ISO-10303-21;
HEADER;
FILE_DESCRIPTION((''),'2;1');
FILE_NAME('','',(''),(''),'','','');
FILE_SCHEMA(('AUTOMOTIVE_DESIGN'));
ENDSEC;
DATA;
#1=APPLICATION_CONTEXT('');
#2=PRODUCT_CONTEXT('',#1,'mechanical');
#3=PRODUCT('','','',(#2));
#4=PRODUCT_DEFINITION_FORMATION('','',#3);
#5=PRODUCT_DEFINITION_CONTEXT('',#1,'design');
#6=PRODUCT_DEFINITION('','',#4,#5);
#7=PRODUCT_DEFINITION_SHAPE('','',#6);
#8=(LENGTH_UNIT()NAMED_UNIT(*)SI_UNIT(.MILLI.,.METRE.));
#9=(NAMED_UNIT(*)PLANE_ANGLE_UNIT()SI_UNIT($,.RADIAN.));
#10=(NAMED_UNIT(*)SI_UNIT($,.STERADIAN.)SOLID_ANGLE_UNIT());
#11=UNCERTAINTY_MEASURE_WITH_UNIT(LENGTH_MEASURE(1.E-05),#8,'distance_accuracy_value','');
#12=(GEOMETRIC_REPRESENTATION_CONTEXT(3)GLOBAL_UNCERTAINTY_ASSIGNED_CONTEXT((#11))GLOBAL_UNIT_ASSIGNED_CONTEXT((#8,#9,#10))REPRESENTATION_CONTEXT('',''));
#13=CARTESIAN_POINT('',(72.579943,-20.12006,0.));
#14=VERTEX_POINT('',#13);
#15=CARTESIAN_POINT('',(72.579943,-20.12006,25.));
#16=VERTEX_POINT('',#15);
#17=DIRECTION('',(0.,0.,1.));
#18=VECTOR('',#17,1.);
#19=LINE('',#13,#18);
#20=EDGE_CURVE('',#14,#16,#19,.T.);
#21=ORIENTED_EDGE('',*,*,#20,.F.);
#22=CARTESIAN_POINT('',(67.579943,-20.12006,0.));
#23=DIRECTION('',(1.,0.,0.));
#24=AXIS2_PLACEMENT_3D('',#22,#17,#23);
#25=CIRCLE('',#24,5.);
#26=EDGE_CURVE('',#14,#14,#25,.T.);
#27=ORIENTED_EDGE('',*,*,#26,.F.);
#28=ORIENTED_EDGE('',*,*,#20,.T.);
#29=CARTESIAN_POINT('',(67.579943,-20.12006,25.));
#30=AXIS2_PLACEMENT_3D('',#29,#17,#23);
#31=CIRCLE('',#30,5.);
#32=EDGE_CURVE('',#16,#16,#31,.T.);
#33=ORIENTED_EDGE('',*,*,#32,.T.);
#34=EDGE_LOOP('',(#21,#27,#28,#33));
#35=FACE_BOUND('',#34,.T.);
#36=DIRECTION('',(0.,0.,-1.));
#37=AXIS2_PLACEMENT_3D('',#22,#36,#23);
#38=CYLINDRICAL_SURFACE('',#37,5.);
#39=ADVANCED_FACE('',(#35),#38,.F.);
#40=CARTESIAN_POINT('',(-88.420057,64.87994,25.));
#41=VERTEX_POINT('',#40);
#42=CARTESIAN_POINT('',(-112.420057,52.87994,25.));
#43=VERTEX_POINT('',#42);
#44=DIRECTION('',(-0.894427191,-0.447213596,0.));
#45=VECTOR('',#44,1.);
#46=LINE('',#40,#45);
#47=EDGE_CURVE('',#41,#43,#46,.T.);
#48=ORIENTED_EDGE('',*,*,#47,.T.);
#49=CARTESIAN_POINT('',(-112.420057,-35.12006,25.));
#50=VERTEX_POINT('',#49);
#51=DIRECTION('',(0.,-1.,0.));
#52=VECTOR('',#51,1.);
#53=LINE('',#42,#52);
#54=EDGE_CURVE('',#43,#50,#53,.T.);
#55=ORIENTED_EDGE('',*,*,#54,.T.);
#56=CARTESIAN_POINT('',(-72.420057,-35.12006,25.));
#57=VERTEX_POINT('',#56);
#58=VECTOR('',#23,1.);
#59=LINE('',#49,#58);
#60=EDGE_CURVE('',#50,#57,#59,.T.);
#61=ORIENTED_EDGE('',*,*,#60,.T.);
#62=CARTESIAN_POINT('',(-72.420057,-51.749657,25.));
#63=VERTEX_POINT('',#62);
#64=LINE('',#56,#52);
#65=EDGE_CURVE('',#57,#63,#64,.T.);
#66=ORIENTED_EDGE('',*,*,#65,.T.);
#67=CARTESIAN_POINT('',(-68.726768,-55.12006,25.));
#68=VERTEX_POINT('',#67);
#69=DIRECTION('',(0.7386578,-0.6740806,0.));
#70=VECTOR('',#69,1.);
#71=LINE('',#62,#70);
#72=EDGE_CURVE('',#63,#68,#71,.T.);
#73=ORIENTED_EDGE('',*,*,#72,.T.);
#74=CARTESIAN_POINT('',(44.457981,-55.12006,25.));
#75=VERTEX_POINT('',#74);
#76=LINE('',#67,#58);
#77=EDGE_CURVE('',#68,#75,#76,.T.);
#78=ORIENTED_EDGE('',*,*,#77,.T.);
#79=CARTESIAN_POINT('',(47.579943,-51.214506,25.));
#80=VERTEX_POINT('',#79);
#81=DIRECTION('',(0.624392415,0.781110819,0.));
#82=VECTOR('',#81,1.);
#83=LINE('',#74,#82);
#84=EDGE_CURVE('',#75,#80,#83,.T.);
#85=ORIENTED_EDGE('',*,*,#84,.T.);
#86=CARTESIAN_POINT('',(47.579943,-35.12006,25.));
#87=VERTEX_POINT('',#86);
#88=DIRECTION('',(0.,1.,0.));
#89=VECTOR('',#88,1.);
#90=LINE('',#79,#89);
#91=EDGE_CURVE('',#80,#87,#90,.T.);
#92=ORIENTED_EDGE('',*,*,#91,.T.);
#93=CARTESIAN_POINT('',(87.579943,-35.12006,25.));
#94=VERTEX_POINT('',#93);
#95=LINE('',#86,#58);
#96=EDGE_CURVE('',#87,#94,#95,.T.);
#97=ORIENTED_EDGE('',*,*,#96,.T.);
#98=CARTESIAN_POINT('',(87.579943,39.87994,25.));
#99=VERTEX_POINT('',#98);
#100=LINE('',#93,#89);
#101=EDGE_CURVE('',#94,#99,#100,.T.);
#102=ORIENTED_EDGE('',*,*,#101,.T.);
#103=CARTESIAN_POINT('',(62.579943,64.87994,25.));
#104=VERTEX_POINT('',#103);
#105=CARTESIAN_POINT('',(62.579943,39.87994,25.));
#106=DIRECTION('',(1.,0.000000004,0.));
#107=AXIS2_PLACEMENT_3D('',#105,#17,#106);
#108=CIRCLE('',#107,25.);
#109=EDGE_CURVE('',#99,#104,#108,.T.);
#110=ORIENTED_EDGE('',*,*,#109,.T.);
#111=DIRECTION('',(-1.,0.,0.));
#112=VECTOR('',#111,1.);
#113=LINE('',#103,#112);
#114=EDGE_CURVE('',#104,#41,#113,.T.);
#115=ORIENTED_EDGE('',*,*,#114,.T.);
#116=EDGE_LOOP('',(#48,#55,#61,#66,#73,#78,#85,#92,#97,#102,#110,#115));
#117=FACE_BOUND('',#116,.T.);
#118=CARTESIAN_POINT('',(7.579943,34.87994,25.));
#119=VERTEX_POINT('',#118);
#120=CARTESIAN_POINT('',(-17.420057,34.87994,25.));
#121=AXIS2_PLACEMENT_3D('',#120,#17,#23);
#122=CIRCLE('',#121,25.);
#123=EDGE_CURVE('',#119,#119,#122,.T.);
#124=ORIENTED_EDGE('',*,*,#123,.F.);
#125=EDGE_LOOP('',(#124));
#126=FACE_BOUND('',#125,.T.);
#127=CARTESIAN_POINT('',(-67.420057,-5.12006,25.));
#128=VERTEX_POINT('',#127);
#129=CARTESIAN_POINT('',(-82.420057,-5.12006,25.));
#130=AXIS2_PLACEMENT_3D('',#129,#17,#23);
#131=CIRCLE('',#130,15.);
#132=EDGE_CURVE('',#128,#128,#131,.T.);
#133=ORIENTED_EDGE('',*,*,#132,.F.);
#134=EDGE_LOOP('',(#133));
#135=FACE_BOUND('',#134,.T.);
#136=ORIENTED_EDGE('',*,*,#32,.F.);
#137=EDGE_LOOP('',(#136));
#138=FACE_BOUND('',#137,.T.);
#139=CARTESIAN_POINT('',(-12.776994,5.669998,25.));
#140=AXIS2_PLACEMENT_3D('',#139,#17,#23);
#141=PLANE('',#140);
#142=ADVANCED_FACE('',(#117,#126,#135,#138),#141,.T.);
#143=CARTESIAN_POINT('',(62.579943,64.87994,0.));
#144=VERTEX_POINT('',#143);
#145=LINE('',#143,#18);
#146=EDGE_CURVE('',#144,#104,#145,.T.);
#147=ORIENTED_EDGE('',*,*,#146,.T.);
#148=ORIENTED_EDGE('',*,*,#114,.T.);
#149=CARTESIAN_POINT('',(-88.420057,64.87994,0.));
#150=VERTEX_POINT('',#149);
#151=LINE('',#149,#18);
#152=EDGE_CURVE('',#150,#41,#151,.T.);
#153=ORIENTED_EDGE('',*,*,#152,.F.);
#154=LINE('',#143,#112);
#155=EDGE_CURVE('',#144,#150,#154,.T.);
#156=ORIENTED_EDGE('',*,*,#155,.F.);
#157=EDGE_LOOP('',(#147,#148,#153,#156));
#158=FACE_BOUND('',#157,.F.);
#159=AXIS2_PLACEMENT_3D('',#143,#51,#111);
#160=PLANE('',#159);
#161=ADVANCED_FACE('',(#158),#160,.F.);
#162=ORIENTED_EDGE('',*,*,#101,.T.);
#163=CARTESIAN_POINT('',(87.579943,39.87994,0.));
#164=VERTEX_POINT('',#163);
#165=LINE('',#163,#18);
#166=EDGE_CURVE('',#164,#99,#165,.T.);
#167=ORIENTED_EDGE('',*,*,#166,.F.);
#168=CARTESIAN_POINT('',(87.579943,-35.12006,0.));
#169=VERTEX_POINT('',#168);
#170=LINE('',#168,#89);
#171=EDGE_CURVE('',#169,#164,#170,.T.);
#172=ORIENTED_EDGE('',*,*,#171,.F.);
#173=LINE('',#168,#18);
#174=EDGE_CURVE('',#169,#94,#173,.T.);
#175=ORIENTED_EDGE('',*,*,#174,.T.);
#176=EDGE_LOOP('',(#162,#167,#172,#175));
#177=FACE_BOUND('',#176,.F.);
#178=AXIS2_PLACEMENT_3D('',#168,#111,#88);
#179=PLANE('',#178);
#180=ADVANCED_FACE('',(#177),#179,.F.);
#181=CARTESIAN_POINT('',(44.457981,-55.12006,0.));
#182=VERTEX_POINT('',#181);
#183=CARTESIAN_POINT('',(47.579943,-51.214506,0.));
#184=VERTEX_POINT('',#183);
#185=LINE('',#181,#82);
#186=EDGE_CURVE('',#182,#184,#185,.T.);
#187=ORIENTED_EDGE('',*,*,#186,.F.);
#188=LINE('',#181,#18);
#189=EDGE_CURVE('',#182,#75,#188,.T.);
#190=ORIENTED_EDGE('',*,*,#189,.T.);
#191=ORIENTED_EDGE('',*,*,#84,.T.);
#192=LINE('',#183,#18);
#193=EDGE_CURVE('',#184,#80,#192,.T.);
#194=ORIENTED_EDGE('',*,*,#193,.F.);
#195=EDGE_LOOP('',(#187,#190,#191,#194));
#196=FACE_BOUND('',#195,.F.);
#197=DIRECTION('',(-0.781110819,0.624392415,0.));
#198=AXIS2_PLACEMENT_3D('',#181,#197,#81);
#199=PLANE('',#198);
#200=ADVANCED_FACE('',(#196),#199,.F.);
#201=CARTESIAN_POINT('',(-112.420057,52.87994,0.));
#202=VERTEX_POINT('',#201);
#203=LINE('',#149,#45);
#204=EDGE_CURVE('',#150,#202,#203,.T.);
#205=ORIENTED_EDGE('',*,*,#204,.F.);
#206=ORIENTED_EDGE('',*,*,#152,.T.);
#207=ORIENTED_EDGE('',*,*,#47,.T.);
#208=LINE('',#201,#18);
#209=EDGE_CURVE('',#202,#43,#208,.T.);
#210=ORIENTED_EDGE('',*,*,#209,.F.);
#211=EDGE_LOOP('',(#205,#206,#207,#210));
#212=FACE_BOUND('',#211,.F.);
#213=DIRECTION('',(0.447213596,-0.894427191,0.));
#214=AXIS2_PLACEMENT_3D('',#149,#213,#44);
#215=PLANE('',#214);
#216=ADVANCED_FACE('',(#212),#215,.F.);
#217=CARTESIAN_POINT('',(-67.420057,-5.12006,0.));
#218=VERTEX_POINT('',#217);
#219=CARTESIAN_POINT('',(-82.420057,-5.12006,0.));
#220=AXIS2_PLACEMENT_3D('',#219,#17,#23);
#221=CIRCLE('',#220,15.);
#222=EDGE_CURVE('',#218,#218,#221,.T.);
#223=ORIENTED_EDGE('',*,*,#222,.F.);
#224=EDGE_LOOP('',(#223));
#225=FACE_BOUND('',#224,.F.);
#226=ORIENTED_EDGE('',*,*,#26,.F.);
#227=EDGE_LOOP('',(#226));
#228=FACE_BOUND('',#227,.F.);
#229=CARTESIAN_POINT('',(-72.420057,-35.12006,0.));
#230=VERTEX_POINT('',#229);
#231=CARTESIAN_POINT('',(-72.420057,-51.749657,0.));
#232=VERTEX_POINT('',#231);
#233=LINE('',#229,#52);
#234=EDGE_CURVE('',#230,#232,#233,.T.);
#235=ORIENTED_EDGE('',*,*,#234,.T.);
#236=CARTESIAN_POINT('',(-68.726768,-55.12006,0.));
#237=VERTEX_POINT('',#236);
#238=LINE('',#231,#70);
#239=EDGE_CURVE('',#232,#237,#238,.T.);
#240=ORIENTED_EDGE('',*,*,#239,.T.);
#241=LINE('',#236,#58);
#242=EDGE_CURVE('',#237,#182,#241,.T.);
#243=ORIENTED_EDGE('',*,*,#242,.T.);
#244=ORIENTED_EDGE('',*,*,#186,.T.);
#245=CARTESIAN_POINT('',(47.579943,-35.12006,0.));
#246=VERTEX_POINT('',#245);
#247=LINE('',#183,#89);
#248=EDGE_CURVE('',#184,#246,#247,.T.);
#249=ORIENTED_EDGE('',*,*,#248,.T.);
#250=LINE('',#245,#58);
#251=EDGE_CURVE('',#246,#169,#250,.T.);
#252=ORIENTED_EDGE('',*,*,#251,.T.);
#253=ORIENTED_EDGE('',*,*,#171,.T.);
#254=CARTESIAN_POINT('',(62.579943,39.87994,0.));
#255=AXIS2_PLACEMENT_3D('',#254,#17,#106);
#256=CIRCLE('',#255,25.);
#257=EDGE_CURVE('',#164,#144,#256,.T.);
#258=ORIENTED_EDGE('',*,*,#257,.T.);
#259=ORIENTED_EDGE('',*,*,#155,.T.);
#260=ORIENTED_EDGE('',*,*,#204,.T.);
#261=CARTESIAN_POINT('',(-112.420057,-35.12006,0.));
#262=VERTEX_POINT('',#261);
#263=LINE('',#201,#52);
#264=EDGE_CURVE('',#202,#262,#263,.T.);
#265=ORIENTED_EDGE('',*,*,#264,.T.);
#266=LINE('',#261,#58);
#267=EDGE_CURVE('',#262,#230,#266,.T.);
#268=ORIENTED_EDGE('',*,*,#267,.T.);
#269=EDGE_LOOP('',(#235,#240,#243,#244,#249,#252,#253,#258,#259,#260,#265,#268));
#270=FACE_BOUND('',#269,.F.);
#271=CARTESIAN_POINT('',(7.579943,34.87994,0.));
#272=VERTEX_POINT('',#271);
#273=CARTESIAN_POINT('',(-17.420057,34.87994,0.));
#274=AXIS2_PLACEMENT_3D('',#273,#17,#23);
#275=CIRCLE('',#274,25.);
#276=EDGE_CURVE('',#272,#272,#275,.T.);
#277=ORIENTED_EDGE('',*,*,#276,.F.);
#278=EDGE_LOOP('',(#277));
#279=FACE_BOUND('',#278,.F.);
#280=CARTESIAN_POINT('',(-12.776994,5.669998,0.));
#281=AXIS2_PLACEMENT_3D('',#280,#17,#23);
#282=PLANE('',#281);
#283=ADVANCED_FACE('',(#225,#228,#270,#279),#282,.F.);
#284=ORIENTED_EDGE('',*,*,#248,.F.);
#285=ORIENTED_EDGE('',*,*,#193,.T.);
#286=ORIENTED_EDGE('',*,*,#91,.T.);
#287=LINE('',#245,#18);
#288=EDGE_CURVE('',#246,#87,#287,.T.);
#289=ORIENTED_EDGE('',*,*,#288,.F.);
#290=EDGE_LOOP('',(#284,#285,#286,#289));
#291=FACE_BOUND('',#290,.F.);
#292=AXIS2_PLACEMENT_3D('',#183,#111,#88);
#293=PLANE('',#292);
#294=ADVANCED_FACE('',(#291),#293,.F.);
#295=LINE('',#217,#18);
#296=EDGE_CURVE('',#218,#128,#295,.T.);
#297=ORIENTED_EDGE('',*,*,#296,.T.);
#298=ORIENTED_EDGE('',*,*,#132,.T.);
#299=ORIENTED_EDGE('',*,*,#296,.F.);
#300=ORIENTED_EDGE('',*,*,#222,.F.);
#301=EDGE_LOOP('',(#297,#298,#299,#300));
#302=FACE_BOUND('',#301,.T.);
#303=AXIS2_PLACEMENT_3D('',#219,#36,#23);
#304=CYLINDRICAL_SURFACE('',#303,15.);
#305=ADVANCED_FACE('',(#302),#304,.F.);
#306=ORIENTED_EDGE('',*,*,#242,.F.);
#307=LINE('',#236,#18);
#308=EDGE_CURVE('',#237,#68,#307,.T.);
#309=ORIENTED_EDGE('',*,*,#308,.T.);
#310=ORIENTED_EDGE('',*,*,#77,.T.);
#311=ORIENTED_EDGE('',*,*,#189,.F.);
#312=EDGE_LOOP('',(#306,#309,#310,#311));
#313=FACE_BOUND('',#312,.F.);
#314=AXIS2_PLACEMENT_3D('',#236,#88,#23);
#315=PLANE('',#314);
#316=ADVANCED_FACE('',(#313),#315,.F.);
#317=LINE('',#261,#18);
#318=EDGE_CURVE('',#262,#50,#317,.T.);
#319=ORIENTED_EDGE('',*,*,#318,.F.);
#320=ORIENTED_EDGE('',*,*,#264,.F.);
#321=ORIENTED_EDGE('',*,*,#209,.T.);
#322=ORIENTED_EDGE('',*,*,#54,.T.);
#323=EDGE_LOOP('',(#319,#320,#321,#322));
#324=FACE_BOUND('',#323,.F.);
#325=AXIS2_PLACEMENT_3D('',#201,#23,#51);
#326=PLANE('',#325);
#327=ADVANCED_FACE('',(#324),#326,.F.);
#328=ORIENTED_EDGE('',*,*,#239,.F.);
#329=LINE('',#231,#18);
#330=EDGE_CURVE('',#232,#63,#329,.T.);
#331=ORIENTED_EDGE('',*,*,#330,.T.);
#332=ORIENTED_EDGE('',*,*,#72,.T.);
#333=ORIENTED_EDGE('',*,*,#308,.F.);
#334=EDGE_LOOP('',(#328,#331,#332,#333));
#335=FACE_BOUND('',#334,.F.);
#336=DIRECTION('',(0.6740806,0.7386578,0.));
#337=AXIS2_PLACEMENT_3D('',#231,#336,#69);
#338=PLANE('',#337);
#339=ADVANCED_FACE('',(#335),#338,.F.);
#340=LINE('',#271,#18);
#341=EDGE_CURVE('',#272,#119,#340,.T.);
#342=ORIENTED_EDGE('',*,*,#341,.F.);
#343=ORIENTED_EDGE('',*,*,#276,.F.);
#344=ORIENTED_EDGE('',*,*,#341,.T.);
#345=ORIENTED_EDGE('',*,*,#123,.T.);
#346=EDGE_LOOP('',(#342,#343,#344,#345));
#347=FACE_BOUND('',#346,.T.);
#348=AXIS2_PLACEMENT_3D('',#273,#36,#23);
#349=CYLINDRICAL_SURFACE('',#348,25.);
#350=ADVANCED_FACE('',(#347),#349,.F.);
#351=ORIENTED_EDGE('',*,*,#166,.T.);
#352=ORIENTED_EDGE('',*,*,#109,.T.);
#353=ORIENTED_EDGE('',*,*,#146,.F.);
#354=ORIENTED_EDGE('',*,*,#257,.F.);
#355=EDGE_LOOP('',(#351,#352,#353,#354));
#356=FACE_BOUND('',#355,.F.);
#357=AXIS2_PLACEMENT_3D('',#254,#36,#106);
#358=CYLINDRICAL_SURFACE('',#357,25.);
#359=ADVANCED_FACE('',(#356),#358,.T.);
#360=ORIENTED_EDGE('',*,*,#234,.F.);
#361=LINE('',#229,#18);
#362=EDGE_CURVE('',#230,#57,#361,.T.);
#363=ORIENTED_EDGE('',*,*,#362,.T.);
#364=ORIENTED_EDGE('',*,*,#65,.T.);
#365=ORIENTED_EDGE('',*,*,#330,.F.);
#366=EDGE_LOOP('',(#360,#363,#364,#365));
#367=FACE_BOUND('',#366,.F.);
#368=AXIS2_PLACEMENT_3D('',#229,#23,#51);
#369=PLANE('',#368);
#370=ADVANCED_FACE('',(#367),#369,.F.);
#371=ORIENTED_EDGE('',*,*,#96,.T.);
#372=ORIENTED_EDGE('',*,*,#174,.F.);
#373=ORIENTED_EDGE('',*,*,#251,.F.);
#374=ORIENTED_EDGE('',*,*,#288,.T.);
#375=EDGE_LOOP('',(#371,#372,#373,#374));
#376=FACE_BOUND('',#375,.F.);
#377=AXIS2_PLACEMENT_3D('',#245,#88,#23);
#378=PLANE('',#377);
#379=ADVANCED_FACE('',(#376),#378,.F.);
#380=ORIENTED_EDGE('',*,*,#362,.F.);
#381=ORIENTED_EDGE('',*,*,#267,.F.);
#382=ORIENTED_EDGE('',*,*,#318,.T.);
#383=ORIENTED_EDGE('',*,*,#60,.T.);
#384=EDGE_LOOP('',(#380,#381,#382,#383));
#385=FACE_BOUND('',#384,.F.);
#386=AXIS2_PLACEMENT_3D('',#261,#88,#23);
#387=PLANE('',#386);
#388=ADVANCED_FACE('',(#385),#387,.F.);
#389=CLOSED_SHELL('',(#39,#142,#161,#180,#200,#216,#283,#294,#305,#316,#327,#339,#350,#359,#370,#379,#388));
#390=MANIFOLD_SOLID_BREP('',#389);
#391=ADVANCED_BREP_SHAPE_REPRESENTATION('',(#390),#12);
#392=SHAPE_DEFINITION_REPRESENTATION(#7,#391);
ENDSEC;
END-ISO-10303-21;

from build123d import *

# Parameters (mm, degrees)
F0_R     = 15
F0_R_2   = 5
F0_R_3   = 25
F1_DEPTH = 25


with BuildPart() as f1:
    # F0 (on Top) → F1 (new body)
    with BuildSketch(Plane.XY):
        with BuildLine():
            Line((-88.420057, 64.87994), (-112.420057, 52.87994))
            Line((-112.420057, 52.87994), (-112.420057, -35.12006))
            Line((-112.420057, -35.12006), (-72.420057, -35.12006))
            Line((-72.420057, -35.12006), (-72.420057, -51.749657))
            Line((-72.420057, -51.749657), (-68.726768, -55.12006))
            Line((-68.726768, -55.12006), (44.457981, -55.12006))
            Line((44.457981, -55.12006), (47.579943, -51.214506))
            Line((47.579943, -51.214506), (47.579943, -35.12006))
            Line((47.579943, -35.12006), (87.579943, -35.12006))
            Line((87.579943, -35.12006), (87.579943, 39.87994))
            ThreePointArc((87.579943, 39.87994), (80.257612, 57.55761), (62.579943, 64.87994))
            Line((62.579943, 64.87994), (-88.420057, 64.87994))
        make_face()
        with Locations((-82.420057, -5.12006)):
            Circle(F0_R, mode=Mode.SUBTRACT)
        with Locations((67.579943, -20.12006)):
            Circle(F0_R_2, mode=Mode.SUBTRACT)
        with Locations((-17.420057, 34.87994)):
            Circle(F0_R_3, mode=Mode.SUBTRACT)
    extrude(amount=F1_DEPTH)


solid = f1.part
